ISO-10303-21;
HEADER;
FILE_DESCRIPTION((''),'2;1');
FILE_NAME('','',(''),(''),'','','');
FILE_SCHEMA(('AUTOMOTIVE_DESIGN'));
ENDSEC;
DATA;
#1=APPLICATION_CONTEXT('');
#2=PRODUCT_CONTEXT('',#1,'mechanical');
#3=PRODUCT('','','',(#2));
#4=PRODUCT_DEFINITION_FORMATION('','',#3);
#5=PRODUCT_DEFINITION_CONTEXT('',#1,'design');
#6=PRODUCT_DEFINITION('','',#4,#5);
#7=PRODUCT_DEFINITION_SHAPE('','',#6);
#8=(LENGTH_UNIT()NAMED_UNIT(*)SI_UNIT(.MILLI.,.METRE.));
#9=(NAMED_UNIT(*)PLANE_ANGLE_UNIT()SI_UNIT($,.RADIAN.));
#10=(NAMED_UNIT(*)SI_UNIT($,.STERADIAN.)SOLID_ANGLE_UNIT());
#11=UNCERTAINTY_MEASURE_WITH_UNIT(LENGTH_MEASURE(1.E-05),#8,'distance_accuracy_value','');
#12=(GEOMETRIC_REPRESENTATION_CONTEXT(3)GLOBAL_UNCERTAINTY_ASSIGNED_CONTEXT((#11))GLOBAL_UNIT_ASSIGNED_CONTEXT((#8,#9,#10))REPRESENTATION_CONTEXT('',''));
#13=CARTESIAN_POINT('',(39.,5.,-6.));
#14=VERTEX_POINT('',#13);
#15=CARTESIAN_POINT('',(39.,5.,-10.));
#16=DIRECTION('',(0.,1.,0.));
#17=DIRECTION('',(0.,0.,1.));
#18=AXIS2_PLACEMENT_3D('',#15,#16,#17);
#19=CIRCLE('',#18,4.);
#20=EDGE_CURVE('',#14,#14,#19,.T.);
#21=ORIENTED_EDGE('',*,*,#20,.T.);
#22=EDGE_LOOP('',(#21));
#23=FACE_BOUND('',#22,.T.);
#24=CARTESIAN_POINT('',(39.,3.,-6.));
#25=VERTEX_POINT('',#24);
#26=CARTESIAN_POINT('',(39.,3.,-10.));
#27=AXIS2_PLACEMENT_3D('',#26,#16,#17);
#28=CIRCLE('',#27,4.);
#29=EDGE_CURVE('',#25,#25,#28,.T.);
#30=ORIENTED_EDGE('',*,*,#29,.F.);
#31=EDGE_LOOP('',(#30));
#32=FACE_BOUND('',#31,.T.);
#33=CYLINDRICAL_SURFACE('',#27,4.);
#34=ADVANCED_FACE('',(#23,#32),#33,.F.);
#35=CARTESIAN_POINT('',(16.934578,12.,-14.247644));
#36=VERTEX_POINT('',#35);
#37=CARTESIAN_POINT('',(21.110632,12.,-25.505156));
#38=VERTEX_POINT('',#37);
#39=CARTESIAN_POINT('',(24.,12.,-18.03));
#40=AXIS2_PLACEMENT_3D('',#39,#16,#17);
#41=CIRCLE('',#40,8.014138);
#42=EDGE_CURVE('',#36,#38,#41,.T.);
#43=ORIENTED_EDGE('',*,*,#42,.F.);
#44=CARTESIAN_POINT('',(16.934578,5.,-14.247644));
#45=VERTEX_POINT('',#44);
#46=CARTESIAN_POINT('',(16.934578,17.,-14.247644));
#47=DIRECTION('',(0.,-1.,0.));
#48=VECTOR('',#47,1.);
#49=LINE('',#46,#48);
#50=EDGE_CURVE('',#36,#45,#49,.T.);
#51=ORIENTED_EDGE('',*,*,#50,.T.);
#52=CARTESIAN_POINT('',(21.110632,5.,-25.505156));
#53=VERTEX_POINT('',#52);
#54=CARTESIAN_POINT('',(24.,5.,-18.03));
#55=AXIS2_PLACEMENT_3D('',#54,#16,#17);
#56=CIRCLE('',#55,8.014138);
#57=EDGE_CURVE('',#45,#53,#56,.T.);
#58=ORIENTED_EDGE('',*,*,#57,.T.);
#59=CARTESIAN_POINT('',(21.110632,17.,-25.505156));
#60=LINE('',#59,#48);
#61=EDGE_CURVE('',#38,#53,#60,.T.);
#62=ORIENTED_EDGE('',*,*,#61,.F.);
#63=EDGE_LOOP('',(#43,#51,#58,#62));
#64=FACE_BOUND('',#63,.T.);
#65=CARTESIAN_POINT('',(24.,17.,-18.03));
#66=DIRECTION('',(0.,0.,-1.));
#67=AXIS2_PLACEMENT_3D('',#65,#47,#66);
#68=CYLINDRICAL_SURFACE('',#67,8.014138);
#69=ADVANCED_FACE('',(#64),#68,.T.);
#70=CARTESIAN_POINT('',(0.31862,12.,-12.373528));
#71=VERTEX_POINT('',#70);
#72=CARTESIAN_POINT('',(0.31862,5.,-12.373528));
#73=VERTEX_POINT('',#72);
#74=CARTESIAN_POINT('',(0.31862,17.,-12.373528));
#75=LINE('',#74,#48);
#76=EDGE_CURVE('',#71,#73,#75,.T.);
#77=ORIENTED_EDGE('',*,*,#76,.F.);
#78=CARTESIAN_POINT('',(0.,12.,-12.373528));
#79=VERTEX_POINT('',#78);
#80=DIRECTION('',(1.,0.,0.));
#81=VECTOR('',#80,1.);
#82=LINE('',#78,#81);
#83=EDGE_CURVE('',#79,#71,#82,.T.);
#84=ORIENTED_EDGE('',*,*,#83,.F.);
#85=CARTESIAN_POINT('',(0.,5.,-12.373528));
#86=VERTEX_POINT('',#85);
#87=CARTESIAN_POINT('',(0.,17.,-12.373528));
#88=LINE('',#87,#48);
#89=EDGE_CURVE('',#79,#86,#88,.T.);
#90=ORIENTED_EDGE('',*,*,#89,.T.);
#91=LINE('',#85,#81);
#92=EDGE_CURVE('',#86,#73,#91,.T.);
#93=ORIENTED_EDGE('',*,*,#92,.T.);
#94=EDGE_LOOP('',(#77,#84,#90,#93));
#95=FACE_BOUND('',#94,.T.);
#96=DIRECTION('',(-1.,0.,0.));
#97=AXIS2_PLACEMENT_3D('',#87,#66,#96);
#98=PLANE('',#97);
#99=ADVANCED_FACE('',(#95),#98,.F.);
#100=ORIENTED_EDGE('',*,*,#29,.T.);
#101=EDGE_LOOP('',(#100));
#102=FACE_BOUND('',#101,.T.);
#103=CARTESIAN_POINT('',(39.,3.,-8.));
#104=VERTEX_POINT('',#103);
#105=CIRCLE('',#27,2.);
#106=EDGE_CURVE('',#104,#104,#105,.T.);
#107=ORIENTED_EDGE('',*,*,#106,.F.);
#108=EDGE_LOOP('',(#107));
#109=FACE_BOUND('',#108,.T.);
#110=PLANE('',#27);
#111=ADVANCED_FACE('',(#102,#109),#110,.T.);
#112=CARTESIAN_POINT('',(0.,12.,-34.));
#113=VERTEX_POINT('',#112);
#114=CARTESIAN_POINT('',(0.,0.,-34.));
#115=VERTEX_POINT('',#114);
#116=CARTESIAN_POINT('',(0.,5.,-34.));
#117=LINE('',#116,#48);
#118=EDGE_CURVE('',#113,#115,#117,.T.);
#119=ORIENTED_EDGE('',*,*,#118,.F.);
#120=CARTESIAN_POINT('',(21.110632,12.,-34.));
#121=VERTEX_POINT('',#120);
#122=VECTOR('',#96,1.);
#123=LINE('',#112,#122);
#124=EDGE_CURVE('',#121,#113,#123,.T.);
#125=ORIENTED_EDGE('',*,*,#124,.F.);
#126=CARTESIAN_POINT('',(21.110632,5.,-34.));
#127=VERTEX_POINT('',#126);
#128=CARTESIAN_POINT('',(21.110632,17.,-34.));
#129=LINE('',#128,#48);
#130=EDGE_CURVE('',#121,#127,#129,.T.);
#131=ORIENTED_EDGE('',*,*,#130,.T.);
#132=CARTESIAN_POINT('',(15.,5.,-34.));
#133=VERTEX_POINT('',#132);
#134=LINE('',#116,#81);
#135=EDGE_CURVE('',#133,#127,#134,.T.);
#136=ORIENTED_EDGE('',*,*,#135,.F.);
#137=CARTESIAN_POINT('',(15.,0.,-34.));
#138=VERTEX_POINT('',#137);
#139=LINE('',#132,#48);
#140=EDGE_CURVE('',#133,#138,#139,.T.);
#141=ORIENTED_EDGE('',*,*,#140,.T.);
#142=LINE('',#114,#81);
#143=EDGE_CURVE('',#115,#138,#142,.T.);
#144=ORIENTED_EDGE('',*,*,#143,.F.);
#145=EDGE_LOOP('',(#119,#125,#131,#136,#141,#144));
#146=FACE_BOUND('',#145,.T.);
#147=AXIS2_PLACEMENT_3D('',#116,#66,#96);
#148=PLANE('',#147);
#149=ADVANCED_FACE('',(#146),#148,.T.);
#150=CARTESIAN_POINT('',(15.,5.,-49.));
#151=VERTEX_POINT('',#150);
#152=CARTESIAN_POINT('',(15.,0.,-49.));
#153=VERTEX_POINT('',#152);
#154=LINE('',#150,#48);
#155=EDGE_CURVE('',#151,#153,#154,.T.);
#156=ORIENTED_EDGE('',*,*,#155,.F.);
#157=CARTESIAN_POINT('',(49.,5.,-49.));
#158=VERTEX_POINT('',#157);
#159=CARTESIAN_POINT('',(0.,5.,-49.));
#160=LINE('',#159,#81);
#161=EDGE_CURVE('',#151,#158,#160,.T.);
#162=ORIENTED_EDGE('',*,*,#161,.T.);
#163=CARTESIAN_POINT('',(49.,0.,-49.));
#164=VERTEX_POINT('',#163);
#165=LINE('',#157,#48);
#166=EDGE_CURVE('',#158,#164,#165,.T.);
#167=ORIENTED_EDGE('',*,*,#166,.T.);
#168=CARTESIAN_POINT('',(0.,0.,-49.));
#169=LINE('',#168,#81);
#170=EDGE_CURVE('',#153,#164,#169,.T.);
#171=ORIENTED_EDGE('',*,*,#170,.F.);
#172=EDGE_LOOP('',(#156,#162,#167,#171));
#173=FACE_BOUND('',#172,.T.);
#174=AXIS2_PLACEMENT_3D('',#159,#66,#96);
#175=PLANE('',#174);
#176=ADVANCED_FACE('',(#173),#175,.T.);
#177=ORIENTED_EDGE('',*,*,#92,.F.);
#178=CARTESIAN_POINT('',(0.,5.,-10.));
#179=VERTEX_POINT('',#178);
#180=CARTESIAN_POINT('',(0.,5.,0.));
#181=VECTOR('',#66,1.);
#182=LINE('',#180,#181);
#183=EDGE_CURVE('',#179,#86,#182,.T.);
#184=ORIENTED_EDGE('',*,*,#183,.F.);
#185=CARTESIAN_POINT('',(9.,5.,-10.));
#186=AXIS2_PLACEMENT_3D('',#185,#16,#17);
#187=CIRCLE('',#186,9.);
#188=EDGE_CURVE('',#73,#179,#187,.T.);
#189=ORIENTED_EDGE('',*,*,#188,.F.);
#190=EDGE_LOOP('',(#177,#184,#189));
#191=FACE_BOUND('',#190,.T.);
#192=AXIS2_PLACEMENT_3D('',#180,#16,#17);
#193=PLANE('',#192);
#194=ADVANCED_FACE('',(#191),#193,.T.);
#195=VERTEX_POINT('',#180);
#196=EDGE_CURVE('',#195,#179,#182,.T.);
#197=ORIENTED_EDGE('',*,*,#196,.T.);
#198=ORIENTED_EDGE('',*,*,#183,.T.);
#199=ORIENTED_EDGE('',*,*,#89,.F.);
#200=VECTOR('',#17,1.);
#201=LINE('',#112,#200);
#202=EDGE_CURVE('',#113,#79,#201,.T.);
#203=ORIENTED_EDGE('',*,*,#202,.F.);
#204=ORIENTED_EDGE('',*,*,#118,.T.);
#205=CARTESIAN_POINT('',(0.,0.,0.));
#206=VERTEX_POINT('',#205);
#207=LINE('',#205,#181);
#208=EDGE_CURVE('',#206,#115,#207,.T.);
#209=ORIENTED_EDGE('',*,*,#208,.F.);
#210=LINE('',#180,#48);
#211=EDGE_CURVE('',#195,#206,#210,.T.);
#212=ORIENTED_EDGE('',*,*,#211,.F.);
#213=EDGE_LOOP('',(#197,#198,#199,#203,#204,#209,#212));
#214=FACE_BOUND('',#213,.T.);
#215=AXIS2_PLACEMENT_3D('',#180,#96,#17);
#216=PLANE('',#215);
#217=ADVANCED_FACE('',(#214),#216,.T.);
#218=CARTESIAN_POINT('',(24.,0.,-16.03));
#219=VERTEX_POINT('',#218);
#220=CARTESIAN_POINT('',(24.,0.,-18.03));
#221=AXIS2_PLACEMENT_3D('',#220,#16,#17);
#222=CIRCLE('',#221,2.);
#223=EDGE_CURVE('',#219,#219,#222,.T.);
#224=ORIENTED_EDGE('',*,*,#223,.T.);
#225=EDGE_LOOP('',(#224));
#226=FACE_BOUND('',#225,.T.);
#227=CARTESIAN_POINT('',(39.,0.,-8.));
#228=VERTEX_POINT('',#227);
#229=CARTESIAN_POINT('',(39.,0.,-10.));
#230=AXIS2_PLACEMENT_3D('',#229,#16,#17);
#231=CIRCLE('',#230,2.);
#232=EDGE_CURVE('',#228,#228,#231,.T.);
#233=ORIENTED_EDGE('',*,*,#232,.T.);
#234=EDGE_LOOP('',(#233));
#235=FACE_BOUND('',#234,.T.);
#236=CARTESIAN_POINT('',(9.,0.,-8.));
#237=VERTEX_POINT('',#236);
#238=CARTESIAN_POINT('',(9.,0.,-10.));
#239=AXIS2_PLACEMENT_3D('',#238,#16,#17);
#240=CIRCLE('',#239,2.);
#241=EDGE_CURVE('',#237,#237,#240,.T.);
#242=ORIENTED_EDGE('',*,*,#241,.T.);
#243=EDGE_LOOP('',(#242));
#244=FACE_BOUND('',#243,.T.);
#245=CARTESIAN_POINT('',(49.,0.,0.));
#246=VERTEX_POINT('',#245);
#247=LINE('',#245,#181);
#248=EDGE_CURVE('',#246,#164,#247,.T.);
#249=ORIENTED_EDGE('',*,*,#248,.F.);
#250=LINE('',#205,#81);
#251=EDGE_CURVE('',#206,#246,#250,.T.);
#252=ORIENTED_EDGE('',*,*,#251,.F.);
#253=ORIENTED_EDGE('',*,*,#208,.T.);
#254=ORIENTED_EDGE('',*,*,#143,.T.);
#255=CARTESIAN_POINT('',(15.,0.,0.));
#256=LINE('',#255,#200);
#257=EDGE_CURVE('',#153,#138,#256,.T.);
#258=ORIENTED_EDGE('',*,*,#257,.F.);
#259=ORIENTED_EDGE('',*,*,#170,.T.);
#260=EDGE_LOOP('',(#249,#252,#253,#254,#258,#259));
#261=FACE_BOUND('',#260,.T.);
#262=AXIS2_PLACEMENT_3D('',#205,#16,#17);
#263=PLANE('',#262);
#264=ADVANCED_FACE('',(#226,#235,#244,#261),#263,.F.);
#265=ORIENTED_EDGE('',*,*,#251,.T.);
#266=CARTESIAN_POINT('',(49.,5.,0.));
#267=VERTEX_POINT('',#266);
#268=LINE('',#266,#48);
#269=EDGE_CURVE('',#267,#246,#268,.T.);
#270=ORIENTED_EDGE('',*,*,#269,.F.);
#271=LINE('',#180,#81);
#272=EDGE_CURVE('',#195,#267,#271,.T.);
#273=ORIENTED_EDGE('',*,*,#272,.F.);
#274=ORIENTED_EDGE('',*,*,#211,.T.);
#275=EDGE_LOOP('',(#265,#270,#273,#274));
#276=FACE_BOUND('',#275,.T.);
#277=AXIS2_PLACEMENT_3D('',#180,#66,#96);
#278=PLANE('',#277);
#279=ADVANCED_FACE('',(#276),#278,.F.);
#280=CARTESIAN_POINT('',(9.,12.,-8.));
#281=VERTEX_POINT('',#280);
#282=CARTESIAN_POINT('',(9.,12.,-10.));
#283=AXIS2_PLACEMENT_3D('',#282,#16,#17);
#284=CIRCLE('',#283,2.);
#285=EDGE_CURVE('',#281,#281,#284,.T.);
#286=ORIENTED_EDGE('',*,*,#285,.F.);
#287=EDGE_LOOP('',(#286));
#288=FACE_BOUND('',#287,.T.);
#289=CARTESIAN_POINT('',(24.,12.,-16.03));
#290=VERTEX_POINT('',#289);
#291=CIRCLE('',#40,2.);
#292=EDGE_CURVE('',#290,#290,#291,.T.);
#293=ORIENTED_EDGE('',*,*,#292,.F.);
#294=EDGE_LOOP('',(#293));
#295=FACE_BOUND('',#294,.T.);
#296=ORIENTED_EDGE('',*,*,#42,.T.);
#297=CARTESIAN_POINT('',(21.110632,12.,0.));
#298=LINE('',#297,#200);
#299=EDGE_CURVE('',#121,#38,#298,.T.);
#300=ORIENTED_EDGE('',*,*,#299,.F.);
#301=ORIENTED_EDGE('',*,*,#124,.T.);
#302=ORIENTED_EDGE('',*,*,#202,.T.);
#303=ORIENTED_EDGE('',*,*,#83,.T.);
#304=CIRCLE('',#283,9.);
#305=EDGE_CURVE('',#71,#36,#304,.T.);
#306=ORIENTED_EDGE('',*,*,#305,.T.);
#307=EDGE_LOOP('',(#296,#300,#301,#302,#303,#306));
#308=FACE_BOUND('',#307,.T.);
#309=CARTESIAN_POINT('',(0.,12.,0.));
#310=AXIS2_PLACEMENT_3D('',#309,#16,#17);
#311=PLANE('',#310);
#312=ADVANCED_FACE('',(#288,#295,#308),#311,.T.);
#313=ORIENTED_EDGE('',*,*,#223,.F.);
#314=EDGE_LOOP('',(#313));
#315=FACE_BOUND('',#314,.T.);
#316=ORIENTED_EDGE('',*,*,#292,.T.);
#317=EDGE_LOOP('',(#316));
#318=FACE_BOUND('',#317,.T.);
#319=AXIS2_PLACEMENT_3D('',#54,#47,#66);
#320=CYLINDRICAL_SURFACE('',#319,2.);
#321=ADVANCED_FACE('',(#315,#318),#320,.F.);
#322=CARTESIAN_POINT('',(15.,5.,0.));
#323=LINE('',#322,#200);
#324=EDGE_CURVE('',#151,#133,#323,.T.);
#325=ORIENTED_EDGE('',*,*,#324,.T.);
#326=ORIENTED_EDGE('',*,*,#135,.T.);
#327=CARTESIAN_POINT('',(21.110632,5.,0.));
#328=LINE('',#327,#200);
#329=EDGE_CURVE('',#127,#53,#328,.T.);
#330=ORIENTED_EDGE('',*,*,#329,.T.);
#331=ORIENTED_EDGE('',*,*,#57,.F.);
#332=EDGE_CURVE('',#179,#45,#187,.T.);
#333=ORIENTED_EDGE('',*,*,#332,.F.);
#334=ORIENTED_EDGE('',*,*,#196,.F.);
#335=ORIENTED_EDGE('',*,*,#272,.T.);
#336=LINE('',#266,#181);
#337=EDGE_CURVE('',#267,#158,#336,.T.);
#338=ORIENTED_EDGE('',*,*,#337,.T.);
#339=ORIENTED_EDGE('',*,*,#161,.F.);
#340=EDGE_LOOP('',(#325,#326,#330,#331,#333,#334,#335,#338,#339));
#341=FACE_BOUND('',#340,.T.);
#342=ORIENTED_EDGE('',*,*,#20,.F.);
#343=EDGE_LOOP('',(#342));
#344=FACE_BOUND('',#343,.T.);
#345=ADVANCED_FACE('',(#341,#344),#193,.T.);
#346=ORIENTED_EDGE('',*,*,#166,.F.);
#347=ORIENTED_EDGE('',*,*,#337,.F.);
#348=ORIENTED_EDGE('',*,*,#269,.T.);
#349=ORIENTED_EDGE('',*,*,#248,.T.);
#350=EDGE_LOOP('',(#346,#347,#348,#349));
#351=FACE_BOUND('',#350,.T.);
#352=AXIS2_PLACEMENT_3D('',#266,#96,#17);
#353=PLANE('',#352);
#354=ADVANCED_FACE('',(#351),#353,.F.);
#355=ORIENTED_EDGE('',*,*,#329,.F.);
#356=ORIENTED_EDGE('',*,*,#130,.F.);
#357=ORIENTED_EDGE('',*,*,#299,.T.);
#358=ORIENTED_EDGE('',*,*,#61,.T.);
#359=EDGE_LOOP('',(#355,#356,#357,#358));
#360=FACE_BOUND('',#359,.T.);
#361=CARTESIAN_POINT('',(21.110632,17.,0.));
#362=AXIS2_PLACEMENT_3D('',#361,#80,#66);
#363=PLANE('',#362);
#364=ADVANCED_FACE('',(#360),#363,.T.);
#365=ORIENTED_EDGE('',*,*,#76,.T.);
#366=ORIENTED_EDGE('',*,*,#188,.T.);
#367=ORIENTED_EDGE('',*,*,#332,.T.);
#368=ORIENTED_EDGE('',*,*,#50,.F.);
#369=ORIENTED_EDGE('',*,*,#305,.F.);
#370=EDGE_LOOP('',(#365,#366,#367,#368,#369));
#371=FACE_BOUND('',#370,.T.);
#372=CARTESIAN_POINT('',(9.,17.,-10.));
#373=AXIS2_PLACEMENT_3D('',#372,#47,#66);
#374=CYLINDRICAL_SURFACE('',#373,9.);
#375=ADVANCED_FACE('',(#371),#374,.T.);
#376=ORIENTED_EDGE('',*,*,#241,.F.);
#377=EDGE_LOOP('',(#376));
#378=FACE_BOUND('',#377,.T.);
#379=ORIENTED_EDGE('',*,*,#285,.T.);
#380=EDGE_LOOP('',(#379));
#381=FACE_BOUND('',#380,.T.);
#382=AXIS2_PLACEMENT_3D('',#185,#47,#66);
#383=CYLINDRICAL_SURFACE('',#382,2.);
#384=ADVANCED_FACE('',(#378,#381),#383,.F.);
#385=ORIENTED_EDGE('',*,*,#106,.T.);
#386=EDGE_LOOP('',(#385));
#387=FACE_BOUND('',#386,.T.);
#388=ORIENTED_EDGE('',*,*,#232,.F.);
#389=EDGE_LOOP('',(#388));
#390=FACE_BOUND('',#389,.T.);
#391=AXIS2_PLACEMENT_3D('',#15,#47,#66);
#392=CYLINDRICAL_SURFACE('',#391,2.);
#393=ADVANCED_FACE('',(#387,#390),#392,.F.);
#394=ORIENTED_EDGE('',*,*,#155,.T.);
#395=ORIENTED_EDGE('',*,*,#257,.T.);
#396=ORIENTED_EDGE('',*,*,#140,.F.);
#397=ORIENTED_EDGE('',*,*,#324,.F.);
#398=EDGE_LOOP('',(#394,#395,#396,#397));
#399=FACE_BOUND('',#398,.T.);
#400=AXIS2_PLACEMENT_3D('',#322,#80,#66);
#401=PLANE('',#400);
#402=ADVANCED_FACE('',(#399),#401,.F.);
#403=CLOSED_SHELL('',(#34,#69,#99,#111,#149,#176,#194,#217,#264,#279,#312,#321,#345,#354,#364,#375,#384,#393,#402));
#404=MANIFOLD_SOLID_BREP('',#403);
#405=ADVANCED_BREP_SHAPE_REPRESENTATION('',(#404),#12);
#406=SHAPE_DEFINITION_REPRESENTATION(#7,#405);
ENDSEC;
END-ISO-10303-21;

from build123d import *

# Parameters (mm, degrees)
SKETCH1_R           = 2
BOSS_EXTRUDE1_DEPTH = 5
SKETCH2_R           = 4
CUT_EXTRUDE1_DEPTH  = 2
SKETCH3_R           = 2
BOSS_EXTRUDE2_DEPTH = 12
SKETCH4_W           = 51.589864231
SKETCH4_H           = 45.63525298
CUT_EXTRUDE2_DEPTH  = 5


with BuildPart() as part:
    # Sketch1 → Boss-Extrude1 (new body)
    with BuildSketch(Plane(origin=(0, 0, 0), x_dir=(1, 0, 0), z_dir=(0, 1, 0))):
        Polygon((0, 34), (0, 0), (49, 0), (49, 49), (15, 49), (15, 34), align=None)
        with Locations((9, 10)):
            Circle(SKETCH1_R, mode=Mode.SUBTRACT)
        with Locations((24, 18.03)):
            Circle(SKETCH1_R, mode=Mode.SUBTRACT)
        with Locations((39, 10)):
            Circle(SKETCH1_R, mode=Mode.SUBTRACT)
    extrude(amount=BOSS_EXTRUDE1_DEPTH)

    # Sketch2 → Cut-Extrude1 (cut)
    with BuildSketch(Plane(origin=(0, 5, 0), x_dir=(1, 0, 0), z_dir=(0, 1, 0))):
        with Locations((39, 10)):
            Circle(SKETCH2_R)
    extrude(amount=-CUT_EXTRUDE1_DEPTH, mode=Mode.SUBTRACT)

    # Sketch3 → Boss-Extrude2 (add)
    with BuildSketch(Plane(origin=(0, 5, 0), x_dir=(1, 0, 0), z_dir=(0, 1, 0))):
        with BuildLine():
            Line((15, 34), (0, 34))
            Line((0, 34), (0, 12.373527554))
            Line((0, 12.373527554), (0.318619525, 12.373527554))
            ThreePointArc((0.318619525, 12.373527554), (7.991284246, 18.943293159), (16.934577194, 14.247644612))
            ThreePointArc((16.934577194, 14.247644612), (16.486188802, 20.817302098), (21.110631854, 25.505156415))
            Line((21.110631854, 25.505156415), (21.110631854, 34))
            Line((21.110631854, 34), (15, 34))
        make_face()
        with BuildLine():
            Line((21.110631854, 12.373527554), (21.110631854, 25.505156415))
            ThreePointArc((21.110631854, 25.505156415), (16.486188802, 20.817302098), (16.934577194, 14.247644612))
            ThreePointArc((16.934577194, 14.247644612), (17.560142752, 13.25981653), (18.322788434, 12.373527554))
            Line((18.322788434, 12.373527554), (21.110631854, 12.373527554))
        make_face()
        with BuildLine():
            ThreePointArc((16.934577194, 14.247644612), (7.991284246, 18.943293159), (0.318619525, 12.373527554))
            Line((0.318619525, 12.373527554), (17.681380475, 12.373527554))
            ThreePointArc((17.681380475, 12.373527554), (17.360657331, 13.331577554), (16.934577194, 14.247644612))
        make_face()
        with BuildLine():
            ThreePointArc((32.014138239, 18.03), (28.531590006, 24.639924638), (21.110631854, 25.505156415))
            Line((21.110631854, 25.505156415), (21.110631854, 12.373527554))
            Line((21.110631854, 12.373527554), (18.322788434, 12.373527554))
            ThreePointArc((18.322788434, 12.373527554), (27.060102401, 10.623098826), (32.014138239, 18.03))
        make_face()
        with Locations((24, 18.03)):
            Circle(SKETCH3_R, mode=Mode.SUBTRACT)
        with BuildLine():
            Line((17.681380475, 12.373527554), (0.318619525, 12.373527554))
            ThreePointArc((0.318619525, 12.373527554), (0.08001053, 11.197408812), (0, 10))
            ThreePointArc((0, 10), (9, 1), (18, 10))
            ThreePointArc((18, 10), (17.91998947, 11.197408812), (17.681380475, 12.373527554))
        make_face()
        with Locations((9, 10)):
            Circle(SKETCH3_R, mode=Mode.SUBTRACT)
    extrude(amount=BOSS_EXTRUDE2_DEPTH)

    # Sketch4 → Cut-Extrude2 (cut)
    with BuildSketch(Plane(origin=(0, 17, 0), x_dir=(1, 0, 0), z_dir=(0, 1, 0))):
        with Locations((25.794932115, 11.18237351)):
            Rectangle(SKETCH4_W, SKETCH4_H)
    extrude(amount=-CUT_EXTRUDE2_DEPTH, mode=Mode.SUBTRACT)


solid = part.part
